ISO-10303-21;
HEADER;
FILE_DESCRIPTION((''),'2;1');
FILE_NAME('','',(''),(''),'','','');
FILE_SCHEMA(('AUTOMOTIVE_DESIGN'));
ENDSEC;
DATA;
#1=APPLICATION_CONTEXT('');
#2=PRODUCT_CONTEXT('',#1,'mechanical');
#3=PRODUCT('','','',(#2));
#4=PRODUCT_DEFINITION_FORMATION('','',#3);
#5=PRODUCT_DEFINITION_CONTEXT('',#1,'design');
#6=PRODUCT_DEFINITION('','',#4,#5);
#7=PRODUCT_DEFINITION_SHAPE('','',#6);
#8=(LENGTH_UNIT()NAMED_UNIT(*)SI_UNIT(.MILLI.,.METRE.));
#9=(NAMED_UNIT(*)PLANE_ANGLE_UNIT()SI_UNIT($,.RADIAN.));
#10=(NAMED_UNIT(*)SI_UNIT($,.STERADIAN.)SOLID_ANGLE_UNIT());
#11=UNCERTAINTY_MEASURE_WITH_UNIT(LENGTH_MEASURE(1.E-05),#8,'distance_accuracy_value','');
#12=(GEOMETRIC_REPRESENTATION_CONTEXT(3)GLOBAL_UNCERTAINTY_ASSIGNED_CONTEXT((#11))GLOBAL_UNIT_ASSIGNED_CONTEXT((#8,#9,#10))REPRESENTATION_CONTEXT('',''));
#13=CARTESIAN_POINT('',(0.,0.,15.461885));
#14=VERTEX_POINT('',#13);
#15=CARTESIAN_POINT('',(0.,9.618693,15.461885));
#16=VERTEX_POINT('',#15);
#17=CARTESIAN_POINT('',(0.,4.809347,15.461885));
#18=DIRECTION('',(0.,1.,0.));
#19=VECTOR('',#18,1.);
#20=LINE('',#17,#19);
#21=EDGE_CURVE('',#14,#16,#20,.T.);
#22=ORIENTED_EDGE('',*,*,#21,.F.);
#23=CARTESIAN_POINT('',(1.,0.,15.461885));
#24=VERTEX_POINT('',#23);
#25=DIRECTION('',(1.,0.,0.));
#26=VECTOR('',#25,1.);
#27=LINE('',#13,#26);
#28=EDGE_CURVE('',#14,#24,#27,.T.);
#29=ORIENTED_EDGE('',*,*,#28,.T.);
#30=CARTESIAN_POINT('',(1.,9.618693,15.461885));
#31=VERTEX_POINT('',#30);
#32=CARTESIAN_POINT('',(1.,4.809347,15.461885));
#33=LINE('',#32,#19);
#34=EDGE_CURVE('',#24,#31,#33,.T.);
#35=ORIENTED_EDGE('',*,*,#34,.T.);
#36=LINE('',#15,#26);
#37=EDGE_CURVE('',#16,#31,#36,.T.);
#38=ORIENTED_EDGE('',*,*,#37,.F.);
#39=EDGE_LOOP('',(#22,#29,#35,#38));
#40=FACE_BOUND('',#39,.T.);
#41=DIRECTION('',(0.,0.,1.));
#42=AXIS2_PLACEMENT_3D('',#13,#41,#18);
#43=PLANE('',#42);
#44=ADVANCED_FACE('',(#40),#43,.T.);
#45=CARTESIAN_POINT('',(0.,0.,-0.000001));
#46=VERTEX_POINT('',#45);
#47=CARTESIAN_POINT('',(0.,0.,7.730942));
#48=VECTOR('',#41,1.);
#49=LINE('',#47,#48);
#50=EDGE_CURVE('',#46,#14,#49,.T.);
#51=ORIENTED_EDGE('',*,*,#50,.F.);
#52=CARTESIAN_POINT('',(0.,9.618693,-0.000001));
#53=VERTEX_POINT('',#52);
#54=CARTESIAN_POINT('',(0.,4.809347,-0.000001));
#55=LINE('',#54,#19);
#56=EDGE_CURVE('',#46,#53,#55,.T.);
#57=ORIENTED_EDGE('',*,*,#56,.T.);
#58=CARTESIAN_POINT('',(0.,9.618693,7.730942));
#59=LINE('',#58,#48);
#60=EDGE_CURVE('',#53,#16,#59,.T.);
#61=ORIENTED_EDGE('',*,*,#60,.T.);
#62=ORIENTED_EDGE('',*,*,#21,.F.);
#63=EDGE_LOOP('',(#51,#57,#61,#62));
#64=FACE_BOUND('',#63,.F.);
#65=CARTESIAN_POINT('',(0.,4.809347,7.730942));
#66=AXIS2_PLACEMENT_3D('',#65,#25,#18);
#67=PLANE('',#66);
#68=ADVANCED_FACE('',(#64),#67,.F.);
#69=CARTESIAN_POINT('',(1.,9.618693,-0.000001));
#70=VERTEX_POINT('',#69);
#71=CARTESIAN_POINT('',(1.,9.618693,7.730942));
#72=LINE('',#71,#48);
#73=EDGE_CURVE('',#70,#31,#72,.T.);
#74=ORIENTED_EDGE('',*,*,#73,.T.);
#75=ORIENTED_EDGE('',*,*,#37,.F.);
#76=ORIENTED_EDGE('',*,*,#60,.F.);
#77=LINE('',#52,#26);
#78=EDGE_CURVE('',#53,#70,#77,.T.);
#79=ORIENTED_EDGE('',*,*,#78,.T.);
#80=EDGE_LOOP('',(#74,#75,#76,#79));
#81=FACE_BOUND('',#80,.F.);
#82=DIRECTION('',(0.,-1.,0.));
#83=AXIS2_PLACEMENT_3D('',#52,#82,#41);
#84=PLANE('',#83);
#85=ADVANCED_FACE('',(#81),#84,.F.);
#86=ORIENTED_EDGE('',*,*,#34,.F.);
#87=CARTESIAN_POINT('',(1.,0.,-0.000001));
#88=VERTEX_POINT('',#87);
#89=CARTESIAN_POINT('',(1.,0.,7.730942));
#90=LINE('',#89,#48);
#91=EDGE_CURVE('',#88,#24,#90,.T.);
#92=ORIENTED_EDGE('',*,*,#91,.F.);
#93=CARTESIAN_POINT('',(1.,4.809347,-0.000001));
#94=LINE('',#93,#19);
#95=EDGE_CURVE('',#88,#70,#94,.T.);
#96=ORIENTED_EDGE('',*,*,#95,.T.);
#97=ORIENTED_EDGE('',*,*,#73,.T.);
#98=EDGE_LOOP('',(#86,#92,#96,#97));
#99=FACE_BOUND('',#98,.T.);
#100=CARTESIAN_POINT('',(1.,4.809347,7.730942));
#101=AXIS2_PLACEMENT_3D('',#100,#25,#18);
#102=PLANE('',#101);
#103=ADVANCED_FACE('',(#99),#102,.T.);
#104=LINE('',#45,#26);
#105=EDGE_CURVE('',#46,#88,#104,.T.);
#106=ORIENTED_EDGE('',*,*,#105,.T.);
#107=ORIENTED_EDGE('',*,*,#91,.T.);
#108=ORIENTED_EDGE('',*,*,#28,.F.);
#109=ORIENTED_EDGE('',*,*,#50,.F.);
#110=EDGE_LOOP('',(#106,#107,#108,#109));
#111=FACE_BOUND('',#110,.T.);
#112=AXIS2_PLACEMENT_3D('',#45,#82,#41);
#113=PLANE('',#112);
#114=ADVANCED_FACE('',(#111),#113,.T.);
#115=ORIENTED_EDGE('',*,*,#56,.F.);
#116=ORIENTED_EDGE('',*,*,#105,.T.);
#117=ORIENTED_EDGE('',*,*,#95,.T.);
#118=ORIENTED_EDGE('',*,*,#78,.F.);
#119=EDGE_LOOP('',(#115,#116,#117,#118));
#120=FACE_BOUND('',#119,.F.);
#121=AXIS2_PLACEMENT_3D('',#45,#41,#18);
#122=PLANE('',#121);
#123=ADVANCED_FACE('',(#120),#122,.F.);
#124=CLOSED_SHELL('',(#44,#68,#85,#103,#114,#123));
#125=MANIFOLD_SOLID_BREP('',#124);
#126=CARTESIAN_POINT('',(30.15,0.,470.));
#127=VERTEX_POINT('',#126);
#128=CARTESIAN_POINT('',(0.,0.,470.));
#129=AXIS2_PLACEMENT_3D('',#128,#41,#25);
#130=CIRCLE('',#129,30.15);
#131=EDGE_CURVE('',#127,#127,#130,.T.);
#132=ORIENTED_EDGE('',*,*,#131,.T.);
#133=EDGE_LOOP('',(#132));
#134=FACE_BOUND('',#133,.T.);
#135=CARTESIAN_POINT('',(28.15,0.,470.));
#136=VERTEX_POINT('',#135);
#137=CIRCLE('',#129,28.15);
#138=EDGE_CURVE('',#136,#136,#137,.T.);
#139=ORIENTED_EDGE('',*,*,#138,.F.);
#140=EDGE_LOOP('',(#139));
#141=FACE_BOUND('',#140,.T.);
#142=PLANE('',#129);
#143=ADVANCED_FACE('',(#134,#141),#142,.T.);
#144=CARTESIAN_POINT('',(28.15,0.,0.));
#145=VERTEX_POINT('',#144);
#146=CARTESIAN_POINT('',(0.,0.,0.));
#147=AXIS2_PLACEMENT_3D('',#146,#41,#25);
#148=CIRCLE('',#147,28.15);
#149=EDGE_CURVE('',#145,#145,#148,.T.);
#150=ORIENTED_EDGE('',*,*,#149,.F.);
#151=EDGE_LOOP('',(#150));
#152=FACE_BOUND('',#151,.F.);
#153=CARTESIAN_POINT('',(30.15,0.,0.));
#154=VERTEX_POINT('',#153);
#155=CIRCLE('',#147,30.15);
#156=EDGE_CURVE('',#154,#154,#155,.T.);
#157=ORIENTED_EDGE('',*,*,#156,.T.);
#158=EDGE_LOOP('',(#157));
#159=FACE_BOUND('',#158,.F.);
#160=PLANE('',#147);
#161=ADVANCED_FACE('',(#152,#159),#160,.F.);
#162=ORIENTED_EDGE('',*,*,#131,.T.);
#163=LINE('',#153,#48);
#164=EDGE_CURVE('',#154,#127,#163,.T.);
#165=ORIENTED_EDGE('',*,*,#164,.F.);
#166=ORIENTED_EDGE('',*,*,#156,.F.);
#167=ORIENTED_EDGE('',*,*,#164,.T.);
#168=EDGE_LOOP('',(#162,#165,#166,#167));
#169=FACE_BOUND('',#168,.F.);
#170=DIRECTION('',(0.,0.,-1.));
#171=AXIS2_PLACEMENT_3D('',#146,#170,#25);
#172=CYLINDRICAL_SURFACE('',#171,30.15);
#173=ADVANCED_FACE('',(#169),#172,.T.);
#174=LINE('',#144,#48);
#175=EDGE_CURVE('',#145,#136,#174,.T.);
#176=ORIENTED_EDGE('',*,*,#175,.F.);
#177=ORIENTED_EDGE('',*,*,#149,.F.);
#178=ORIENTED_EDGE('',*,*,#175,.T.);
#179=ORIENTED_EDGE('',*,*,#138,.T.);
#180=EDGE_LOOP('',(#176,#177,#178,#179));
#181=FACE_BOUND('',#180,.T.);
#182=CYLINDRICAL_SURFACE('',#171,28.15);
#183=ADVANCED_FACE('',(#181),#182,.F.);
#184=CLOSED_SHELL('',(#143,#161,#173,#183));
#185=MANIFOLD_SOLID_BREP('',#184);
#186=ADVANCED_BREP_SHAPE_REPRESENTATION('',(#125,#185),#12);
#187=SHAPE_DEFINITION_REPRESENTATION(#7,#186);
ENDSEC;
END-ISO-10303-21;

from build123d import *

# Parameters (mm, degrees)
F0_R     = 30.15
F0_R_2   = 28.15
F1_DEPTH = 470
F2_W     = 9.618693
F2_H     = 15.461885
F3_DEPTH = 1


with BuildPart() as f1:
    # F0 (on Top) → F1 (new body)
    with BuildSketch(Plane.XY):
        Circle(F0_R)
        Circle(F0_R_2, mode=Mode.SUBTRACT)
    extrude(amount=F1_DEPTH)


with BuildPart() as f3:
    # F2 (on Right) → F3 (new body)
    with BuildSketch(Plane.YZ):
        with Locations((4.809347, 7.730942)):
            Rectangle(F2_W, F2_H)
    extrude(amount=F3_DEPTH)


solid = Compound([f1.part, f3.part])
